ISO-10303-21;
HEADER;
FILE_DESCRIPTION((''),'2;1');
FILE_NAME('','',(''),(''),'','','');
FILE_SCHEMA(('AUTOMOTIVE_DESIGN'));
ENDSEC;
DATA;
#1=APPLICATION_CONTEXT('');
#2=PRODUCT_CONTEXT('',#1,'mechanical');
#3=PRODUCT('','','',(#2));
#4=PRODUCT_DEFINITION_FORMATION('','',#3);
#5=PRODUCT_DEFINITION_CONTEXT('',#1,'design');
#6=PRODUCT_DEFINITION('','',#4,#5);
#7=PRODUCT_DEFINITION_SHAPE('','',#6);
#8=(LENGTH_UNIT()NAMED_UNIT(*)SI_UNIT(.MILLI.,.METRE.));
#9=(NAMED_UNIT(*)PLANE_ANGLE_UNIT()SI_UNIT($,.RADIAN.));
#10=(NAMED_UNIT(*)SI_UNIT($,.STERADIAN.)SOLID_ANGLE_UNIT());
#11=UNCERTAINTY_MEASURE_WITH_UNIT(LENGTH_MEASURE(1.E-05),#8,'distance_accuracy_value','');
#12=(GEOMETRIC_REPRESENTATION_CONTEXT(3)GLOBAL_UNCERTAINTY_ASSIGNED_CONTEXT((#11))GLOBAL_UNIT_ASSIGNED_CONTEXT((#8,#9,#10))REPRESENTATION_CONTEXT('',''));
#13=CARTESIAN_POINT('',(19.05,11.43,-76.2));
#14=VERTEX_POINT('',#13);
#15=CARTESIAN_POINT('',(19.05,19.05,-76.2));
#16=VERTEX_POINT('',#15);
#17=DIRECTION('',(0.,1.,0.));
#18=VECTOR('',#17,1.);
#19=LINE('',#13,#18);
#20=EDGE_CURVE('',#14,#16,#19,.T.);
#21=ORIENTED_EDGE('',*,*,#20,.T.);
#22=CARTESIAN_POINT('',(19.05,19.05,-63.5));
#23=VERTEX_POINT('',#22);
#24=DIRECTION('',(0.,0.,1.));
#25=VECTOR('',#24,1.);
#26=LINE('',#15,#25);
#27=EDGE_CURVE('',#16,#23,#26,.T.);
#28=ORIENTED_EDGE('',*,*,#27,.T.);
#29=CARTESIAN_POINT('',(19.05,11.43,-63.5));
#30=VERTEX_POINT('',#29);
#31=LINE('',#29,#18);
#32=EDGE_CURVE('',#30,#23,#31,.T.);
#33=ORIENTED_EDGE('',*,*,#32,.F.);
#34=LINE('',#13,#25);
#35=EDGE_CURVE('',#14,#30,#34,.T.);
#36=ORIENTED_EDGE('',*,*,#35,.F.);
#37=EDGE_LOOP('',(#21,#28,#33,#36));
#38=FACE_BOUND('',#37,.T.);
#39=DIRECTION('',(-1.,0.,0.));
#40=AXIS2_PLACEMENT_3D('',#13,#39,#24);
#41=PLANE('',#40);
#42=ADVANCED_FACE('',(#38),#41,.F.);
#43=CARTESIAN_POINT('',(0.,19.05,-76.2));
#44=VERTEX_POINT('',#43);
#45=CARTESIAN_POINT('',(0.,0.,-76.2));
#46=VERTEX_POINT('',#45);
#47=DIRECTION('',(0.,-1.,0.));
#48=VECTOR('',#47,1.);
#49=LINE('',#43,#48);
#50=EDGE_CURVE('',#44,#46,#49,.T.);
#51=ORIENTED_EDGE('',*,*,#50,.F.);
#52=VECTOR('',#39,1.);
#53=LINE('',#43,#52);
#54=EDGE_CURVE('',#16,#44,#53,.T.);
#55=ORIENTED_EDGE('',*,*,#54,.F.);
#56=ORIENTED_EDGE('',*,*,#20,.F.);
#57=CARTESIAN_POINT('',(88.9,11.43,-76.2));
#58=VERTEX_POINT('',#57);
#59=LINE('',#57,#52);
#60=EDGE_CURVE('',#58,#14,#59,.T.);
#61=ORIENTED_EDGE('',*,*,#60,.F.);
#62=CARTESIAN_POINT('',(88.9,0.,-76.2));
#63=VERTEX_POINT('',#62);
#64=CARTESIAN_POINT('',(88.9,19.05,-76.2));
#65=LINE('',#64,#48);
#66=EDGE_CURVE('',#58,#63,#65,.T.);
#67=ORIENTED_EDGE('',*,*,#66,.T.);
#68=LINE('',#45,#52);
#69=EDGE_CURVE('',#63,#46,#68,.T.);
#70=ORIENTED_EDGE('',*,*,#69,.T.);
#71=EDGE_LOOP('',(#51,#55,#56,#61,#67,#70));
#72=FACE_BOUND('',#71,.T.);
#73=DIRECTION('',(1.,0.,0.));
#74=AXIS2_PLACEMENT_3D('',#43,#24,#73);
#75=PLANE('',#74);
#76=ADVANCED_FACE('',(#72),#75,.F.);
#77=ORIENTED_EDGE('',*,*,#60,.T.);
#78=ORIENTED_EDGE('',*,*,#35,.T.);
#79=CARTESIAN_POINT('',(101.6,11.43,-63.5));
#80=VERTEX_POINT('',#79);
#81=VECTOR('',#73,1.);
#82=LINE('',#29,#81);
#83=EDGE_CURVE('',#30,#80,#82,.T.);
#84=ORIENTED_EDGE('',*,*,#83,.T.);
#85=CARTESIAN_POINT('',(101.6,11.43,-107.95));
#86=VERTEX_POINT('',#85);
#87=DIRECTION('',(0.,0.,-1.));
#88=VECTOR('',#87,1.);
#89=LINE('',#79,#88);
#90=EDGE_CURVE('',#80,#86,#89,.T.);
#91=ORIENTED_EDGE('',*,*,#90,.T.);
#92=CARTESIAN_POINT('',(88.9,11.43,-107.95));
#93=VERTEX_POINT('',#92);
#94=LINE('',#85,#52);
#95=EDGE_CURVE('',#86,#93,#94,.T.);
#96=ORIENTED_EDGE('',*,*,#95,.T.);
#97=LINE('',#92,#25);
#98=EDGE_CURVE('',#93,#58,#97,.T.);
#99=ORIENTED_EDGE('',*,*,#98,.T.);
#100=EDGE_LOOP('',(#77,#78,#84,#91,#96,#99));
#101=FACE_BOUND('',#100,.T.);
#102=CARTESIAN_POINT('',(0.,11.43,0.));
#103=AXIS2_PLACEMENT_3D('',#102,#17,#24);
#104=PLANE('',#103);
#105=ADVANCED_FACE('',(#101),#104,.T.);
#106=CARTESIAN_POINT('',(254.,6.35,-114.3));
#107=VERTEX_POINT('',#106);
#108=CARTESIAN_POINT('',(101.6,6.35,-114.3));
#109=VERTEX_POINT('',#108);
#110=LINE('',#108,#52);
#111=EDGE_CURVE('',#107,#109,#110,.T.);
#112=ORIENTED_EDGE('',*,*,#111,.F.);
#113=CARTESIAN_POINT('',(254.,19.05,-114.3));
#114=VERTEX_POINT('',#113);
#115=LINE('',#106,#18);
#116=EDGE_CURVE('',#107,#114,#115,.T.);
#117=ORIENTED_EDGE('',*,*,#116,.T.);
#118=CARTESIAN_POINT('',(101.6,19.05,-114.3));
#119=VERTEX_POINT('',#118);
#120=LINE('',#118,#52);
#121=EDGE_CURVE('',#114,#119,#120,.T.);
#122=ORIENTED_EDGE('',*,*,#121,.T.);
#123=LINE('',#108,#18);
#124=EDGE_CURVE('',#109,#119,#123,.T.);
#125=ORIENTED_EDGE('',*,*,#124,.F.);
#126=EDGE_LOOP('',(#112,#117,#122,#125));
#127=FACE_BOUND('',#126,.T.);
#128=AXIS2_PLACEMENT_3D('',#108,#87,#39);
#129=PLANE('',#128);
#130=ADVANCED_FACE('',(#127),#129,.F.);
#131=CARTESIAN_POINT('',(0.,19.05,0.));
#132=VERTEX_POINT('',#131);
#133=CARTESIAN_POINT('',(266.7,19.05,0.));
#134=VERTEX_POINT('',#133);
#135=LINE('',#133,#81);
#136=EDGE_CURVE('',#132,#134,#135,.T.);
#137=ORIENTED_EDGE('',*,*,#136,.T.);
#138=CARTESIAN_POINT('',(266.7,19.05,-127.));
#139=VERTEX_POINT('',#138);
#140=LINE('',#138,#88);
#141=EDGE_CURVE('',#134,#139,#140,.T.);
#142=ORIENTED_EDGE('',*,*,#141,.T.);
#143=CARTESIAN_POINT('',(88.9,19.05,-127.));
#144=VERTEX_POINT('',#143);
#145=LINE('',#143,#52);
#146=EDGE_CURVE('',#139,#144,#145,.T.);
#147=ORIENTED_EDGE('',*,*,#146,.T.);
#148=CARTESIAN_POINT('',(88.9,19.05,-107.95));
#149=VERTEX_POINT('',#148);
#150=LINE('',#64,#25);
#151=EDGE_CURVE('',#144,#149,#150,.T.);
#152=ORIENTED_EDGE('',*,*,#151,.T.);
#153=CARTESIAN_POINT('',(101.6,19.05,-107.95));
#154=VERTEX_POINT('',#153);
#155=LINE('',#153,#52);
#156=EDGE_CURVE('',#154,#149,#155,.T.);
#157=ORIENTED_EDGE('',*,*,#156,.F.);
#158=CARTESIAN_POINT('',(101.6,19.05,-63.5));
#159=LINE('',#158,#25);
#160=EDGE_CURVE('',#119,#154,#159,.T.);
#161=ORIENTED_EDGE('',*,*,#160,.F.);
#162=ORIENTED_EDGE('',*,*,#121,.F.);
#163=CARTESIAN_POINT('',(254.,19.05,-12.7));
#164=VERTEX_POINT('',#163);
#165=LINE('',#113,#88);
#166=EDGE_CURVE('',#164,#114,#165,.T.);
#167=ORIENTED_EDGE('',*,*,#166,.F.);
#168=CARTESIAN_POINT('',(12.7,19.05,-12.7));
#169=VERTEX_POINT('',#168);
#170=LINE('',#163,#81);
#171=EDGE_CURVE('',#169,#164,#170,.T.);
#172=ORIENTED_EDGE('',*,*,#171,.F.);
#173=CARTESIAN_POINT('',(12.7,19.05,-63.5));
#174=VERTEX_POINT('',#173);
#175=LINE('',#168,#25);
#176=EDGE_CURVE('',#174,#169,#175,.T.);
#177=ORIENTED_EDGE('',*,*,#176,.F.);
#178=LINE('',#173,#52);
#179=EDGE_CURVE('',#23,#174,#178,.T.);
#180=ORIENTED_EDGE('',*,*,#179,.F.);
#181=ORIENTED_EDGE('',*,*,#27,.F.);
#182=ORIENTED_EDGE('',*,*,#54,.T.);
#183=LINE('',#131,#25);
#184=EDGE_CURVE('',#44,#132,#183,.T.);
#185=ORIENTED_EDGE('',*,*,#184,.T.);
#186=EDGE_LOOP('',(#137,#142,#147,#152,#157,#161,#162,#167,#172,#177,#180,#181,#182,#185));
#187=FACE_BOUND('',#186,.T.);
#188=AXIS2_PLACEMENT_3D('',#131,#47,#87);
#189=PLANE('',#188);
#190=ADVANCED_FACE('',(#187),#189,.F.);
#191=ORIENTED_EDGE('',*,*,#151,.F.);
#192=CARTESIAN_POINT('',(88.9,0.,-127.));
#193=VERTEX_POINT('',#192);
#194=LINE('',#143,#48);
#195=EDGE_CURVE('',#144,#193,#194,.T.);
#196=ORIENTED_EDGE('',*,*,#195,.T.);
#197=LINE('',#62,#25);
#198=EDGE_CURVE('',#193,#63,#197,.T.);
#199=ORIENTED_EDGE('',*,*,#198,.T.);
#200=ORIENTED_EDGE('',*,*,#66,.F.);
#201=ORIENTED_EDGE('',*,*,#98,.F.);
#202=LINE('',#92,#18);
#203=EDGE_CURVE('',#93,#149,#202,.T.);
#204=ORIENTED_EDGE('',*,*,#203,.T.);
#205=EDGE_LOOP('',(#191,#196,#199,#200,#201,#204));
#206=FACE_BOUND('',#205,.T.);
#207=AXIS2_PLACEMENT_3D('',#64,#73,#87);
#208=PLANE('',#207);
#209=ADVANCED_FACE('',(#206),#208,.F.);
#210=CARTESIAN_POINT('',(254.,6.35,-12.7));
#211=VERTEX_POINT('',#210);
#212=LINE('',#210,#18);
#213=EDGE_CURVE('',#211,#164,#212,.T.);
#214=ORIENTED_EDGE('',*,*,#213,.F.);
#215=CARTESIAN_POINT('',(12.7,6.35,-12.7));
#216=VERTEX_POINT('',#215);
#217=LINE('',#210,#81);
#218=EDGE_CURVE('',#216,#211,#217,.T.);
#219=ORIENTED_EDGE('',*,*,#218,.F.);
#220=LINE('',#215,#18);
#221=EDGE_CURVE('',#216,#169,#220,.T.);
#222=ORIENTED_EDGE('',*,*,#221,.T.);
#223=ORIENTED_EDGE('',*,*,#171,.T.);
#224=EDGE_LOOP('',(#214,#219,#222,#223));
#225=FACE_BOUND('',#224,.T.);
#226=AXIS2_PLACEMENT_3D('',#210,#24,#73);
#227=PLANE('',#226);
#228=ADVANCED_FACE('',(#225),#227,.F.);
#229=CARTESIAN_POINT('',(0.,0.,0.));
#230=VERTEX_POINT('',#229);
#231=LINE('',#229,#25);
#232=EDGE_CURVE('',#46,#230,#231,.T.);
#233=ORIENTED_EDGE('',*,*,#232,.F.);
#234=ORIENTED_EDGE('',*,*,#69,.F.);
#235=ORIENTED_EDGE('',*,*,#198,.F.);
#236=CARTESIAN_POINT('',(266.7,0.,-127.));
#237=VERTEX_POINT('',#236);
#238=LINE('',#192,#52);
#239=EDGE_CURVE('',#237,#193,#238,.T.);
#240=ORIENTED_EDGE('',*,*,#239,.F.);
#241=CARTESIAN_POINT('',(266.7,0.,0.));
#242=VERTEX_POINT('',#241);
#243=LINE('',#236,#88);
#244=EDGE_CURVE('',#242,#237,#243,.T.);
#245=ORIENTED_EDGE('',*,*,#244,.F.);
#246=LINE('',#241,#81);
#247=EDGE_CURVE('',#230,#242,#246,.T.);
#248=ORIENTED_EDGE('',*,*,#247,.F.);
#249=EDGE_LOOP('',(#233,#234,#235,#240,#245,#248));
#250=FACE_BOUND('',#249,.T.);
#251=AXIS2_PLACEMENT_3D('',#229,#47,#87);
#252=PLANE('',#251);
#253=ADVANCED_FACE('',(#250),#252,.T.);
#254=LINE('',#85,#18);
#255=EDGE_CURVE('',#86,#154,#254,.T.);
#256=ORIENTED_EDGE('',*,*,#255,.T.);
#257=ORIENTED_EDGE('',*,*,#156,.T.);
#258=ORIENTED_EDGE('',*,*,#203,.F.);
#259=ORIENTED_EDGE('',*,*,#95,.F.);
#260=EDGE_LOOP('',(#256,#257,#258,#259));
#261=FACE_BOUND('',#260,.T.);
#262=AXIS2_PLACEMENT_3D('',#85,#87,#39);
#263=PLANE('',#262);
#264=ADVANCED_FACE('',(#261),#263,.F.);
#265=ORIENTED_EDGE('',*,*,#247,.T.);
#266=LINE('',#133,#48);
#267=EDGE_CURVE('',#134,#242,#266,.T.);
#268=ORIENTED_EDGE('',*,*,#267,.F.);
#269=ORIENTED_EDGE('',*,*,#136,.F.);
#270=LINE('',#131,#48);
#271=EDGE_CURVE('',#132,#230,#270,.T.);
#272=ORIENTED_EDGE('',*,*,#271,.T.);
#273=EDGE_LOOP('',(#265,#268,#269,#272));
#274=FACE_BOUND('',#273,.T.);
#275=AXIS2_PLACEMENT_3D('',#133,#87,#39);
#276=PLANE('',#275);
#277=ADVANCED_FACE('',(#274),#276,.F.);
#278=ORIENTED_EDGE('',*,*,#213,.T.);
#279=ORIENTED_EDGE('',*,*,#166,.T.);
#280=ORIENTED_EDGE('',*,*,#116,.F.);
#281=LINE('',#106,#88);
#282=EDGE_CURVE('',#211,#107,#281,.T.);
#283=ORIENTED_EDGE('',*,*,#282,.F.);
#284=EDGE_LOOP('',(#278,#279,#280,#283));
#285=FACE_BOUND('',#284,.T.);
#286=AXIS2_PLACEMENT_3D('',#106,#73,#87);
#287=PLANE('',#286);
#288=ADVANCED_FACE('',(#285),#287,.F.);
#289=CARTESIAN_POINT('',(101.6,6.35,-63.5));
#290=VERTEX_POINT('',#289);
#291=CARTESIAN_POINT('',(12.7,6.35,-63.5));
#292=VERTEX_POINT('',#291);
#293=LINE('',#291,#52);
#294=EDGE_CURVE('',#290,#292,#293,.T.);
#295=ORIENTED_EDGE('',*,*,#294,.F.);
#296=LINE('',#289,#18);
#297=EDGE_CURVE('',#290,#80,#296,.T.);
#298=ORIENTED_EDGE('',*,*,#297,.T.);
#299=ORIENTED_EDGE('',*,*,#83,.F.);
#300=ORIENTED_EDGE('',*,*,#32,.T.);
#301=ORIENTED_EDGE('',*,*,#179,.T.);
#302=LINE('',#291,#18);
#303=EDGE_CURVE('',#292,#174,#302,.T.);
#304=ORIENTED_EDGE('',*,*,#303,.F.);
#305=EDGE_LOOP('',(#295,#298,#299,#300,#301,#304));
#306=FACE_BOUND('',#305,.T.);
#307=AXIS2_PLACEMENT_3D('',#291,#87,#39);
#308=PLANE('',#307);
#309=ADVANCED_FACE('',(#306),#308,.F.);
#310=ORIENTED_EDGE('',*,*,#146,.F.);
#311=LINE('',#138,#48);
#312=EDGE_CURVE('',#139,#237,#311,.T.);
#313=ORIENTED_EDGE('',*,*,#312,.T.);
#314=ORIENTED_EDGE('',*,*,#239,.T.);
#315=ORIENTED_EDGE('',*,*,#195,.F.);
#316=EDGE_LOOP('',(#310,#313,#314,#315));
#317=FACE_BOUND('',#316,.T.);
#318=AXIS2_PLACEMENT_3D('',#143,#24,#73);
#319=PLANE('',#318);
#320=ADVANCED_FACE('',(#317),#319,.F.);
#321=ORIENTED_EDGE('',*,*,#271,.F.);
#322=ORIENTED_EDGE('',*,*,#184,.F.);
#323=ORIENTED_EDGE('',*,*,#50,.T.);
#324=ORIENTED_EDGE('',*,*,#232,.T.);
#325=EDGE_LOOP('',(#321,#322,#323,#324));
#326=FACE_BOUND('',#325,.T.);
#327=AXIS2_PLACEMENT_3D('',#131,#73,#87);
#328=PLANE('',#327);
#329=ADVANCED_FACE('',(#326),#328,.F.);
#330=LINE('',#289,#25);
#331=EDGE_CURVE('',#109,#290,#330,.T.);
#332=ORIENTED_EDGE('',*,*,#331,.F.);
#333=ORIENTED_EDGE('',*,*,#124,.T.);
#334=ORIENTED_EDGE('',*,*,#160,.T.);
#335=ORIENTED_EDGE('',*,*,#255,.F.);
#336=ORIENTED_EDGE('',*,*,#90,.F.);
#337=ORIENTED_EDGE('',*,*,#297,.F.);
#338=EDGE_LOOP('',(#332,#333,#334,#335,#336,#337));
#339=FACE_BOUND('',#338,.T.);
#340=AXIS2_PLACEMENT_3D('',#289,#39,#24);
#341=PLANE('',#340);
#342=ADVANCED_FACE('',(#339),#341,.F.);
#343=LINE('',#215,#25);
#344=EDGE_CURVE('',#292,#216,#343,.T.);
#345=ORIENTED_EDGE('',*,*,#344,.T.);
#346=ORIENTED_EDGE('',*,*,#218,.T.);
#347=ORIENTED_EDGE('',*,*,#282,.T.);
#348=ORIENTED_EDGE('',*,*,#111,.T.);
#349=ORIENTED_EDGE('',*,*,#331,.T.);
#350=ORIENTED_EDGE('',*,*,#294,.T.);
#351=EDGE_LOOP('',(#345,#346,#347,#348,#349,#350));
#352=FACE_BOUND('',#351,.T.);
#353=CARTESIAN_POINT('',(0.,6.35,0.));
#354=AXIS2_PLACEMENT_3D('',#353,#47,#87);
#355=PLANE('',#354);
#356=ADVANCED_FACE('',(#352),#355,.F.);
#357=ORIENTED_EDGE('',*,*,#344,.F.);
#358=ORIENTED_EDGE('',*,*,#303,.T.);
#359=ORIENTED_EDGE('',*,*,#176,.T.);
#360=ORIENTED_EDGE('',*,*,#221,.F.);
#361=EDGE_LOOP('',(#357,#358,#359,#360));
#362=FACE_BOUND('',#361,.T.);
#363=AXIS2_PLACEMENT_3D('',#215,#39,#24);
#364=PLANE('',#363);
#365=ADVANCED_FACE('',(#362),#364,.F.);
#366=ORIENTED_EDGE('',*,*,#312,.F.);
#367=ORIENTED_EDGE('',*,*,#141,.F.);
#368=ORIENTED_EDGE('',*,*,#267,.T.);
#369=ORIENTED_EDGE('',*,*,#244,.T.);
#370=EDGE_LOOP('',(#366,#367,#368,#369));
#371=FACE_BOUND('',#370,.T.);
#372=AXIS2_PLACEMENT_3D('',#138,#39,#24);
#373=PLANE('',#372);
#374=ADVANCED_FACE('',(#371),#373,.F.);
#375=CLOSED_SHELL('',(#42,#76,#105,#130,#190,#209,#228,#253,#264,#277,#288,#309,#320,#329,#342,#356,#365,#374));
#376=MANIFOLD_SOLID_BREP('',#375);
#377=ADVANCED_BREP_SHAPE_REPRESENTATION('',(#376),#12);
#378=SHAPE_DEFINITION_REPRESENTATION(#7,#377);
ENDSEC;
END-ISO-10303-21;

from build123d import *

# Parameters (mm, degrees)
BOSS_EXTRUDE1_DEPTH = 19.05
CUT_EXTRUDE1_DEPTH  = 12.7
CUT_EXTRUDE2_DEPTH  = 7.62


with BuildPart() as part:
    # Sketch1 → Boss-Extrude1 (new body)
    with BuildSketch(Plane(origin=(0, 0, 0), x_dir=(1, 0, 0), z_dir=(0, 1, 0))):
        Polygon((0, 0), (0, 76.2), (88.9, 76.2), (88.9, 127), (266.7, 127), (266.7, 0), align=None)
    extrude(amount=BOSS_EXTRUDE1_DEPTH)

    # Sketch2 → Cut-Extrude1 (cut)
    with BuildSketch(Plane(origin=(0, 19.05, 0), x_dir=(1, 0, 0), z_dir=(0, 1, 0))):
        Polygon((12.7, 63.5), (101.6, 63.5), (101.6, 114.3), (254, 114.3), (254, 12.7), (12.7, 12.7), align=None)
    extrude(amount=-CUT_EXTRUDE1_DEPTH, mode=Mode.SUBTRACT)

    # Sketch3 → Cut-Extrude2 (cut)
    with BuildSketch(Plane(origin=(0, 19.05, 0), x_dir=(1, 0, 0), z_dir=(0, 1, 0))):
        Polygon((19.05, 76.2), (19.05, 63.5), (101.6, 63.5), (101.6, 107.95), (88.9, 107.95), (88.9, 76.2), align=None)
    extrude(amount=-CUT_EXTRUDE2_DEPTH, mode=Mode.SUBTRACT)


solid = part.part
